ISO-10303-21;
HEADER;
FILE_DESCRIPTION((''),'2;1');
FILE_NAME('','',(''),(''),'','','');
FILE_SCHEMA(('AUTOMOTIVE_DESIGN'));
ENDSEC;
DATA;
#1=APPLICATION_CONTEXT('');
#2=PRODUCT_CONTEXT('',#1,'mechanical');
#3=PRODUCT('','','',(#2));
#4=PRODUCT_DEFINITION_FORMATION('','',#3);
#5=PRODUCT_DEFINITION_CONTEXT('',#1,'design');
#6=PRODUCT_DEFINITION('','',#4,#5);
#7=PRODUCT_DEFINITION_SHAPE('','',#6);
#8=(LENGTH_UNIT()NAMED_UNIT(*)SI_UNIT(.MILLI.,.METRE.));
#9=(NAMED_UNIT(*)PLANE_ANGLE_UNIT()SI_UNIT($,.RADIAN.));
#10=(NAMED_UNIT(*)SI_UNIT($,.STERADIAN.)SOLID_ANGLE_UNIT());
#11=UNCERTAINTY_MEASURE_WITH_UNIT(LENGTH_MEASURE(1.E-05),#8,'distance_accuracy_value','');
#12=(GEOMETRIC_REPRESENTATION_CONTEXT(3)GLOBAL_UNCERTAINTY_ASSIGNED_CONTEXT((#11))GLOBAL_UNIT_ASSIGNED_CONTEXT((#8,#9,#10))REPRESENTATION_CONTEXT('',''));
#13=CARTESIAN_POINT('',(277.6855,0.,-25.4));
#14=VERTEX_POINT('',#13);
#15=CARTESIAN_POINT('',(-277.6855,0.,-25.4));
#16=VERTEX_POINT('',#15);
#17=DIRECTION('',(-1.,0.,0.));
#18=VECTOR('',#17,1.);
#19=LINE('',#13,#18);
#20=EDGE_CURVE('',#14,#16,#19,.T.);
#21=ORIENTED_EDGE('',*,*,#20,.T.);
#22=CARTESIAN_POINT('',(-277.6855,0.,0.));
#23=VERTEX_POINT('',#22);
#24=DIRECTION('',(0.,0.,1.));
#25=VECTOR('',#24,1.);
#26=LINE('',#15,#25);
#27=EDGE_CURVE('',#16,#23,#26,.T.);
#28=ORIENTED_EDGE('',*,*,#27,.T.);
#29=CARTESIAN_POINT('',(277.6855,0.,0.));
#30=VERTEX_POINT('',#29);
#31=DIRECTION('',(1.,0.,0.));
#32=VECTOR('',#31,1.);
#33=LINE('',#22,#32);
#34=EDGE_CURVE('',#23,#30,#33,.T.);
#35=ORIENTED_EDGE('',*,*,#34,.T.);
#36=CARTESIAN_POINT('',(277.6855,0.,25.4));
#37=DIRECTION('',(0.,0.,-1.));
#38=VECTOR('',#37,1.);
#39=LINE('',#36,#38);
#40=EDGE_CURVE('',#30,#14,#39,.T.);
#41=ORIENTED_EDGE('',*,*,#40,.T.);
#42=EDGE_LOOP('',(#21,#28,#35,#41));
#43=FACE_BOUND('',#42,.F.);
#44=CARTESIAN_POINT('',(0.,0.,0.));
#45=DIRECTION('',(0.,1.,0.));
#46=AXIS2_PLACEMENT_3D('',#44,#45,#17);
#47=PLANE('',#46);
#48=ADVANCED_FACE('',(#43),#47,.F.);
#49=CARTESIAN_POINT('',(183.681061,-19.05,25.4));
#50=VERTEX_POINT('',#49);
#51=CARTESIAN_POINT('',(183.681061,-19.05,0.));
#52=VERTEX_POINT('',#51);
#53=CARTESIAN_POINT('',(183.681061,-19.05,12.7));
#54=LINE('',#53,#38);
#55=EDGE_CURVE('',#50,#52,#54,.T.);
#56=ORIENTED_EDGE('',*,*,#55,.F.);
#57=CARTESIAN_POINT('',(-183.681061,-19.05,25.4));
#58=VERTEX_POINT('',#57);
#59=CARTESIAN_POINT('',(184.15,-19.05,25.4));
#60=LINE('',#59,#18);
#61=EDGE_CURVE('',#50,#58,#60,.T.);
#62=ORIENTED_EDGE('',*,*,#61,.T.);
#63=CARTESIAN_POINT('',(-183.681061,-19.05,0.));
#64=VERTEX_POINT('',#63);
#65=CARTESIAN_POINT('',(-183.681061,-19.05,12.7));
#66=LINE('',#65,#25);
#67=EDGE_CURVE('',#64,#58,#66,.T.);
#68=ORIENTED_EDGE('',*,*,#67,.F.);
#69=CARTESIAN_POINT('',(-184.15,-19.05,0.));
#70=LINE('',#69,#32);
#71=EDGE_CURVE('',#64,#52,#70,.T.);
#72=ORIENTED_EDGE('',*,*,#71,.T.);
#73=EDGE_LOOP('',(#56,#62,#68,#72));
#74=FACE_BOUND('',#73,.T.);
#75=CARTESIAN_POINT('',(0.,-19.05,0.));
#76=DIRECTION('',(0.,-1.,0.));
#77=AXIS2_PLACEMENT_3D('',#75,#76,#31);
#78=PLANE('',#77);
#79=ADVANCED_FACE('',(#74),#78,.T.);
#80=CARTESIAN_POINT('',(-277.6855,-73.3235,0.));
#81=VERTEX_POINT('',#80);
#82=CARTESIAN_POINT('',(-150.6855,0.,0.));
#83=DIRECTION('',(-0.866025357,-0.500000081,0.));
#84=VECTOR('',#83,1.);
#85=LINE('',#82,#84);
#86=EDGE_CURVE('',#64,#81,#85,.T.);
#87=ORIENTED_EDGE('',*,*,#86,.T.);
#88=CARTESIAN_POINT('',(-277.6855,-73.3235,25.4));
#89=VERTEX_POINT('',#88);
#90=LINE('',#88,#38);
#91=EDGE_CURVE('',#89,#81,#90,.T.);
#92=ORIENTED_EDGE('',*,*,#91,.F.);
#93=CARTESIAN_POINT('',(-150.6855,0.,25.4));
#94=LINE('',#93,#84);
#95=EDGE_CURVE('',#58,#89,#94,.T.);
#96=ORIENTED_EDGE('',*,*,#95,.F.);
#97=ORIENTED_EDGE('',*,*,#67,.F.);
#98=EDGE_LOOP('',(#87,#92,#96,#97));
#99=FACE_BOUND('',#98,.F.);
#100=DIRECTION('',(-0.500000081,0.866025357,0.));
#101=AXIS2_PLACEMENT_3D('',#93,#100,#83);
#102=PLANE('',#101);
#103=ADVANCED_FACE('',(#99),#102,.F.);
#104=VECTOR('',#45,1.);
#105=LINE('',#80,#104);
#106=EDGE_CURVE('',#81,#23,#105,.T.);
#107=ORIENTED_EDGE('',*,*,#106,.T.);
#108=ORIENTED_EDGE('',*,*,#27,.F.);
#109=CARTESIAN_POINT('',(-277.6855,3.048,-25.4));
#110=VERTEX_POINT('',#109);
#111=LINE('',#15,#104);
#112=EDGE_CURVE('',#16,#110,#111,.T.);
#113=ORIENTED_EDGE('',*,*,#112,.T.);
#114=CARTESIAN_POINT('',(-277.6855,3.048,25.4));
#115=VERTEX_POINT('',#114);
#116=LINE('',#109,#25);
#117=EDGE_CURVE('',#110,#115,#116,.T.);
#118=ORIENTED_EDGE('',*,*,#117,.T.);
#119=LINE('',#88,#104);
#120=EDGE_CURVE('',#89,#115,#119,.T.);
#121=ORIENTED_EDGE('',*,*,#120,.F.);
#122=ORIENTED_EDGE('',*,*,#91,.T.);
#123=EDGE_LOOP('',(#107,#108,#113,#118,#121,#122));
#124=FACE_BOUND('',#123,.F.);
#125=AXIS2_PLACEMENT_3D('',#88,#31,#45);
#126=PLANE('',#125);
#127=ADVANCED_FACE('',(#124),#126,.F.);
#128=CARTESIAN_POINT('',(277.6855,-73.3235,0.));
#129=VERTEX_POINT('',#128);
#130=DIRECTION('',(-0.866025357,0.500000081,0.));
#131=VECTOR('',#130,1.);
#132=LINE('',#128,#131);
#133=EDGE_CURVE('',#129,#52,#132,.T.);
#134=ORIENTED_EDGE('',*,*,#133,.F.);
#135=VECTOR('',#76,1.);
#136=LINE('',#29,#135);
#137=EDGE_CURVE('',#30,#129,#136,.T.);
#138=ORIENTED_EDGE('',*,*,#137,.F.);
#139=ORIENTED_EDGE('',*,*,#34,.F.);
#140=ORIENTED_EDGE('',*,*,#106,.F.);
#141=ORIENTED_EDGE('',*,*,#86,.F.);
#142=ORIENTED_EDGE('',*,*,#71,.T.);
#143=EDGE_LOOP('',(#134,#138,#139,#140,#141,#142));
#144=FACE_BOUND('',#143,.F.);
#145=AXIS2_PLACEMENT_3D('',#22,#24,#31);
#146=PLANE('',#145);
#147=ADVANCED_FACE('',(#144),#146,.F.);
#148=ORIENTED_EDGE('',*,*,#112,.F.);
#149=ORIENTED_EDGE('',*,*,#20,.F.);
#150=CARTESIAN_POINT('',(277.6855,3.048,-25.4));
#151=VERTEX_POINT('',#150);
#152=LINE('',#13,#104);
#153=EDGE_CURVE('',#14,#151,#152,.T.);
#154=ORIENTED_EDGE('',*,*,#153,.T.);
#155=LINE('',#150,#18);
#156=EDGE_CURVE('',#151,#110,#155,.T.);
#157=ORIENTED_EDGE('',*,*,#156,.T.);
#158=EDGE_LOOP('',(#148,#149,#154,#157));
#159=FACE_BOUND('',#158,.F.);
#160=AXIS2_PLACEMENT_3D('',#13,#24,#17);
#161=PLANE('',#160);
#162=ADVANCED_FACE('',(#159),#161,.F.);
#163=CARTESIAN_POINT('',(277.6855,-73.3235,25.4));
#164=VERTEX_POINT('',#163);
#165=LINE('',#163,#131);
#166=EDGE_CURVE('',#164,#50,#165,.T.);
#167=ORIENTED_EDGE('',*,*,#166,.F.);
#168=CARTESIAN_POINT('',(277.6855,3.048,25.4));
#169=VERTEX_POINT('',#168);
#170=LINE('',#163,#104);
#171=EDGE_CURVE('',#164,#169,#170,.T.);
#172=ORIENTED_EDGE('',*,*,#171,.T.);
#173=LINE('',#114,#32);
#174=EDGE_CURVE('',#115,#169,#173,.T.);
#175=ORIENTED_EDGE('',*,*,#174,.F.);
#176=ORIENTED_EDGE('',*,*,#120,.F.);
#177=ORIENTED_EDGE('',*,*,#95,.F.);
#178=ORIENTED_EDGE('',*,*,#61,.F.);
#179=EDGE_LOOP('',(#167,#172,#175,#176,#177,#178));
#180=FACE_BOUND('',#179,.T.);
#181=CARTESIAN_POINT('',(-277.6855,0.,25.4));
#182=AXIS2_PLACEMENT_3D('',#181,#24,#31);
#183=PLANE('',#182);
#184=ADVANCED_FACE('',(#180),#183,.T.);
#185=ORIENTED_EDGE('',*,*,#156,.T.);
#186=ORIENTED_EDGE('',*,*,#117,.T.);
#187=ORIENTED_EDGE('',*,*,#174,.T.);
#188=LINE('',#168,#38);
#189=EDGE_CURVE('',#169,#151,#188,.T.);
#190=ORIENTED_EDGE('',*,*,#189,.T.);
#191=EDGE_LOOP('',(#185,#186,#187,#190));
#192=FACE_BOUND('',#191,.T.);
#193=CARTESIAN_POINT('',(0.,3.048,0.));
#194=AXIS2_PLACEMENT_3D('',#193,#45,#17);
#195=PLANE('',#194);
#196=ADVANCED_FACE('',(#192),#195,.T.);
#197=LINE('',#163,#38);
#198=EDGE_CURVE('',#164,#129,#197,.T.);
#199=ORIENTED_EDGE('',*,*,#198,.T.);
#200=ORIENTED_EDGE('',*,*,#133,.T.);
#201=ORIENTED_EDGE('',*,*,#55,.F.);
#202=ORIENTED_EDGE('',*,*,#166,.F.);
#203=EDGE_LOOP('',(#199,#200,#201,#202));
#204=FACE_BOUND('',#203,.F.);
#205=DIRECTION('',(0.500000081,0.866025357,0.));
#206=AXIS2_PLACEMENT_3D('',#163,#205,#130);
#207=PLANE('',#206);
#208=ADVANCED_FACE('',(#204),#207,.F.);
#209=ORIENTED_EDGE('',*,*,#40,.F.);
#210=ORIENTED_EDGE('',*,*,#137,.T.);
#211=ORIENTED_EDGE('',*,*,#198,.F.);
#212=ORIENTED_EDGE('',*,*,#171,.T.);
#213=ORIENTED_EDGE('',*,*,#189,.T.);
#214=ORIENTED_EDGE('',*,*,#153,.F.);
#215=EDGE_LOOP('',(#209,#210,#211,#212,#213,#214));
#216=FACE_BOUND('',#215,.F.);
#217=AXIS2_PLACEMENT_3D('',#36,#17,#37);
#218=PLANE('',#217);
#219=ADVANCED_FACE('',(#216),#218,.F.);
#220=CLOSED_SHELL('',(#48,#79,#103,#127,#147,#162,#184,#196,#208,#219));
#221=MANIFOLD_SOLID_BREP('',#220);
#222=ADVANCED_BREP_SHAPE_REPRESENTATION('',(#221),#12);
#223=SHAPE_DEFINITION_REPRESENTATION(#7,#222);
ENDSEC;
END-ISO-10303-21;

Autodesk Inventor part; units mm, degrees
ref_plane "YZ Plane" through (0, 0, 0) normal (1, 0, 0) x (0, 1, 0)
ref_plane "XZ Plane" through (0, 0, 0) normal (0, 1, 0) x (-1, 0, 0)
ref_plane "XY Plane" through (0, 0, 0) normal (0, 0, 1) x (1, 0, 0)
sketch "Sketch1" plane through (0, 0, 0) normal (0, 1, 0) x (-1, 0, 0)
  line L0 (277.6855, 25.4) -> (-277.6855, 25.4)
  line L1 (-277.6855, 25.4) -> (-277.6855, -25.4)
  line L2 (-277.6855, -25.4) -> (277.6855, -25.4)
  line L3 (277.6855, -25.4) -> (277.6855, 25.4)
  line L4 (277.6855, 25.4) -> (-277.6855, -25.4) construction
  line L5 (-277.6855, 25.4) -> (277.6855, -25.4) construction
  point P0 (0, 0)
  dimension "d0" = 555.371
  dimension "d1" = 50.8
extrude "Extrusion1" add sketch "Sketch1" along normal blind 3.048
sketch "Sketch2" plane through (-277.6855, 0, 25.4) normal (0, 0, 1) x (1, 0, 0)
  line L0 (0, 0) -> (555.371, 0) projected
  line L1 (555.371, 0) -> (428.371, 0)
  line L2 (555.371, 0) -> (555.371, -73.3235)
  line L3 (555.371, -73.3235) -> (428.371, 0)
  line L4 (0, 0) -> (127, 0)
  line L5 (127, 0) -> (0, -73.3235)
  line L6 (0, -73.3235) -> (0, 0)
  point P0 (277.6855, 0)
  dimension "d6" = 127
  dimension "d8" = 127
  dimension "d9" = 30
  dimension "d15" = 30
extrude "Extrusion2" add sketch "Sketch2" against normal blind 25.4 contours L0 L2 L3
extrude "Extrusion3" add sketch "Sketch2" against normal blind 25.4 contours L0 L5 L6
sketch "Sketch3" plane through (0, 0, 0) normal (0, -1, 0) x (1, 0, 0)
  line L0 (-277.6855, 25.4) -> (277.6855, 25.4) construction
  line L1 (-277.6855, 25.4) -> (0, 25.4) construction
  line L2 (0, 0) -> (0, 25.4) construction
  line L3 (184.15, 25.4) -> (-184.15, 25.4)
  line L4 (-184.15, 25.4) -> (-184.15, 0)
  line L5 (-184.15, 0) -> (184.15, 0)
  line L6 (184.15, 0) -> (184.15, 25.4)
  line L7 (184.15, 25.4) -> (-184.15, 0) construction
  line L8 (-184.15, 25.4) -> (184.15, 0) construction
  point P0 (0, 12.7)
  dimension "d16" = 368.3
extrude "Extrusion4" add sketch "Sketch3" along normal blind 19.05
equation "\"d6\" = d8"
equation "\"d15\" = d9"
properties part number "Wire Housing Lid vglue"
